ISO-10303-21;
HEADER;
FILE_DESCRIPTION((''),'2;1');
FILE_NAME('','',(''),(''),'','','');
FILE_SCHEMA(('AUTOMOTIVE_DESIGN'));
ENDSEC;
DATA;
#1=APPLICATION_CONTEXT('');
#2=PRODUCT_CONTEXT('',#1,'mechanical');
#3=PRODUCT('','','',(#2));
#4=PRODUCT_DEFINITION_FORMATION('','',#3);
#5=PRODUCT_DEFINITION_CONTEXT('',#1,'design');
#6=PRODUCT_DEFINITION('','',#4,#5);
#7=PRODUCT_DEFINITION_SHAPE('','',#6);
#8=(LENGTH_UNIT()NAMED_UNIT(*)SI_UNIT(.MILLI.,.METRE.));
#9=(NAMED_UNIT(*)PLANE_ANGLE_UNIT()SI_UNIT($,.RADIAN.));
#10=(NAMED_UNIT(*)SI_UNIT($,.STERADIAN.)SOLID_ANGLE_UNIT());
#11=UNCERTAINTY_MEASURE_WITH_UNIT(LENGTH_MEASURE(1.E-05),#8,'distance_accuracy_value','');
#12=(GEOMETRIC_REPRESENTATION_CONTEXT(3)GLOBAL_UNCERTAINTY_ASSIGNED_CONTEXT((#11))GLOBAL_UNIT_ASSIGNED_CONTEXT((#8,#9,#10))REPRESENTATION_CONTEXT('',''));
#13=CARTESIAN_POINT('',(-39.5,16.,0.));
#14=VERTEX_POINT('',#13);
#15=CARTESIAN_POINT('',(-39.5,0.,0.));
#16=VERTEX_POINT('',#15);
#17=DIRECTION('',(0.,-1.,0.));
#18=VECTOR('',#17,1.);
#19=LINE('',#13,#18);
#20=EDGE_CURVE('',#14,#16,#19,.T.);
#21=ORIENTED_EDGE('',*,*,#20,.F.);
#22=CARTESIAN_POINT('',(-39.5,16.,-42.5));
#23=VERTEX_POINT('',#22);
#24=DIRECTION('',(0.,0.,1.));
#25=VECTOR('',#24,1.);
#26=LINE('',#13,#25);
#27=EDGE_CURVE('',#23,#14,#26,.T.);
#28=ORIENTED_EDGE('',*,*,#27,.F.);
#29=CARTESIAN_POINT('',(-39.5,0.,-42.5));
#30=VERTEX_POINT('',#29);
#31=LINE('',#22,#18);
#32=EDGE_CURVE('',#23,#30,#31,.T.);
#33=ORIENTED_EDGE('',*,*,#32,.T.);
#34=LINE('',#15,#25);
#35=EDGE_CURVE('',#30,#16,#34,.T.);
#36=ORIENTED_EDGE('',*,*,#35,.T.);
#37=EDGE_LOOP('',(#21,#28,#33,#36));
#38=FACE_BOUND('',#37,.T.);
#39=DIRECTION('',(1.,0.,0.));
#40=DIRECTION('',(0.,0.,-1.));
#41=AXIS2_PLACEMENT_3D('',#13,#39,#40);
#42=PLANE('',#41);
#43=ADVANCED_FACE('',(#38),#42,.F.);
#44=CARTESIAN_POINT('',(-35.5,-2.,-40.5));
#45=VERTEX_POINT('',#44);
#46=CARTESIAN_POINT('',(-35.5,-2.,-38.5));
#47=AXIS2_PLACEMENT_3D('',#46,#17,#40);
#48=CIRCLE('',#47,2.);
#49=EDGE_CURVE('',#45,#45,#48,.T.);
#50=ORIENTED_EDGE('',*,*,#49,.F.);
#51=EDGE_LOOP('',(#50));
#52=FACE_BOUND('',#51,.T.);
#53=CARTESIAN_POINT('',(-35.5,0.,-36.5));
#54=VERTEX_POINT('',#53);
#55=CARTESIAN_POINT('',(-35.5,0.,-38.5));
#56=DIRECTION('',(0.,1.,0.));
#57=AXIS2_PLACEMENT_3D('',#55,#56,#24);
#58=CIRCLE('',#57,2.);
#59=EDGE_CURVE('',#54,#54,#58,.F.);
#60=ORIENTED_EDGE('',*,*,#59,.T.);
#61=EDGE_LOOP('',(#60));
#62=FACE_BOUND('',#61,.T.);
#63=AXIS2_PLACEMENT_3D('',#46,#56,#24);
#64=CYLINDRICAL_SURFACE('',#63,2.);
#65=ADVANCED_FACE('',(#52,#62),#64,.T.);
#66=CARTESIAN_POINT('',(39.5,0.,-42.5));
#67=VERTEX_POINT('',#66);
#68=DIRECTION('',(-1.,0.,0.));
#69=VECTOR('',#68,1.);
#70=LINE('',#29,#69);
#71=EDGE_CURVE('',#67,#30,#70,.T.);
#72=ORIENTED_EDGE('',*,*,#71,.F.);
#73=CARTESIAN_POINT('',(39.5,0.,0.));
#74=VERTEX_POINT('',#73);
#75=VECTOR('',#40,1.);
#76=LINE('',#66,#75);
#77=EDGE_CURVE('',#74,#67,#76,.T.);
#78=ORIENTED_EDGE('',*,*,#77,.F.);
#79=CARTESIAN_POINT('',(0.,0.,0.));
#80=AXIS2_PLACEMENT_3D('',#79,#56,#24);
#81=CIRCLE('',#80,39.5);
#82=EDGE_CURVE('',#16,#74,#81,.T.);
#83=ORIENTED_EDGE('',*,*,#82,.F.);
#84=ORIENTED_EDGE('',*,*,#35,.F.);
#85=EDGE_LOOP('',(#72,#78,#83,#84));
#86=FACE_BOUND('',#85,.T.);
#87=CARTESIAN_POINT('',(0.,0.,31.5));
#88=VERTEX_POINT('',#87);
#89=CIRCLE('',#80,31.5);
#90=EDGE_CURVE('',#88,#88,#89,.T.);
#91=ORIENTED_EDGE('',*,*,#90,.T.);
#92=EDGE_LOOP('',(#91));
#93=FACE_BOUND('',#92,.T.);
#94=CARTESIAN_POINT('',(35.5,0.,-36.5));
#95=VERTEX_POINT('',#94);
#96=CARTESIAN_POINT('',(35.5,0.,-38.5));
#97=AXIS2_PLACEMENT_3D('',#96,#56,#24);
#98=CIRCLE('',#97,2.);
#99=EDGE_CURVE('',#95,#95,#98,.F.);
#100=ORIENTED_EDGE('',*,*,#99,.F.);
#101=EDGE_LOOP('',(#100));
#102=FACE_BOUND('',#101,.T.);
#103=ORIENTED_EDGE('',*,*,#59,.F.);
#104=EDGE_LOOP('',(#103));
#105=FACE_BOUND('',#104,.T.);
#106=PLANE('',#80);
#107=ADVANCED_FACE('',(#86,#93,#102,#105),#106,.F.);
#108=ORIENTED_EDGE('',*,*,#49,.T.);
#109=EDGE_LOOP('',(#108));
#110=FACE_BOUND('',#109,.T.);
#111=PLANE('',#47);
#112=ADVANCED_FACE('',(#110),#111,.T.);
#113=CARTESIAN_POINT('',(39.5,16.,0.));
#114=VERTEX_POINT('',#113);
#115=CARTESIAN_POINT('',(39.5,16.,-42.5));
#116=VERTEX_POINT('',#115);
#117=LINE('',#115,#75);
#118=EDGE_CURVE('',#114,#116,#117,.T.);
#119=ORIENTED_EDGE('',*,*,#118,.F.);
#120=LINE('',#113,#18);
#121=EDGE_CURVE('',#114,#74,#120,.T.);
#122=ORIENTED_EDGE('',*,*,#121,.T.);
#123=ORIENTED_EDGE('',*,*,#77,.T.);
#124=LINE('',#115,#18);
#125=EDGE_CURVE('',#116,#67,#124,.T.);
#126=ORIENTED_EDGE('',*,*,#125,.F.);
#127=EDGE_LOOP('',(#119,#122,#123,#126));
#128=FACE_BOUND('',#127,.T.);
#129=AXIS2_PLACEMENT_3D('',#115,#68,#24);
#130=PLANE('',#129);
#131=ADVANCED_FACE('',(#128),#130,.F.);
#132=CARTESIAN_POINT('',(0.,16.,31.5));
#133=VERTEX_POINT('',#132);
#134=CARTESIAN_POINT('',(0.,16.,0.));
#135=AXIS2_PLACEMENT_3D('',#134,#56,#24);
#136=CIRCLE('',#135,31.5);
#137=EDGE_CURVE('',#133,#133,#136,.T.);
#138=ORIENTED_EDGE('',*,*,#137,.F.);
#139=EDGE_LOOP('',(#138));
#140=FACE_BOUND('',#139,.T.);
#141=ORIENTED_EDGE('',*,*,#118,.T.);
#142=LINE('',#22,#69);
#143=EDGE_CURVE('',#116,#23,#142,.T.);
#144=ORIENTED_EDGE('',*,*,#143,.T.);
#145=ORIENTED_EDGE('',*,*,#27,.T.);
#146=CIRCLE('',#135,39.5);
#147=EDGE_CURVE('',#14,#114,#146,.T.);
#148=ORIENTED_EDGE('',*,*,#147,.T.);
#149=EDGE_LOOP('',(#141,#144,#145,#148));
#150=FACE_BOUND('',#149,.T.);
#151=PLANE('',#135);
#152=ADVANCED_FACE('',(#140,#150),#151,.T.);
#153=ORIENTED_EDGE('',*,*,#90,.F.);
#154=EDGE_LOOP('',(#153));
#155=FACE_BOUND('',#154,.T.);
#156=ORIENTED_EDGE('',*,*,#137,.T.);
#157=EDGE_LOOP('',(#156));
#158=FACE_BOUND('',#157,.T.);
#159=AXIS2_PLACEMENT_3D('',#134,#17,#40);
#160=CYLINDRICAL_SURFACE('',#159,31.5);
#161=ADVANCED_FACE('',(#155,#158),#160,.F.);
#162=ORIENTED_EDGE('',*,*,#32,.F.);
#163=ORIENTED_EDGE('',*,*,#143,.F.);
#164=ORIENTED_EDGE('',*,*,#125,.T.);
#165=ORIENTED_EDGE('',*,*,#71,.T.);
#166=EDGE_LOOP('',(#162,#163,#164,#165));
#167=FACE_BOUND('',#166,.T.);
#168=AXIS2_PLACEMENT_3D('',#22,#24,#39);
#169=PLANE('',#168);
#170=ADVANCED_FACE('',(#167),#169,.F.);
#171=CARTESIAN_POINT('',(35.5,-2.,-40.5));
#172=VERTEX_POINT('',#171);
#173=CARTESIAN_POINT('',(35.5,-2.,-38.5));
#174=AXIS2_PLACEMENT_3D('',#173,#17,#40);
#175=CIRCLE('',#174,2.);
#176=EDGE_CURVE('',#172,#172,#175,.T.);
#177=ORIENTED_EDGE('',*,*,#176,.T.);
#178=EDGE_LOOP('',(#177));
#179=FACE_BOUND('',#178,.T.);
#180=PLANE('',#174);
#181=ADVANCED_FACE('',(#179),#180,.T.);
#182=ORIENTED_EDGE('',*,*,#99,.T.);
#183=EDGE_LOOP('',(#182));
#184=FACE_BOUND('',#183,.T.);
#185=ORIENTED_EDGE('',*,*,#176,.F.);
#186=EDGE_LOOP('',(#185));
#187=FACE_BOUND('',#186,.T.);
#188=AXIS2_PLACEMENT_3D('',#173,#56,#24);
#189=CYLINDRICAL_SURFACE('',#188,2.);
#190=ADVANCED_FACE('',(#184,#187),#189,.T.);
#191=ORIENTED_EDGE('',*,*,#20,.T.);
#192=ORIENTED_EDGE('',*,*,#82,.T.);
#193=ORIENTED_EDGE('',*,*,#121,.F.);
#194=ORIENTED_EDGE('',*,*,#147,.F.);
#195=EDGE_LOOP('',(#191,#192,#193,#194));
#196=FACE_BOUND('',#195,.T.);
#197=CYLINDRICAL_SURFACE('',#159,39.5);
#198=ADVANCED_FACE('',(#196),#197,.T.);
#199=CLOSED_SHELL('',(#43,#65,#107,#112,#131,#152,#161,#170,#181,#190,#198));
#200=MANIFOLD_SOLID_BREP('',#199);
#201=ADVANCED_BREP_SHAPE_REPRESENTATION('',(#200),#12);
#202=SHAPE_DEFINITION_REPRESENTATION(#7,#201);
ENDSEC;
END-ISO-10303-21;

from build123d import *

# Parameters (mm, degrees)
SKETCH18_R           = 31.5
BOSS_EXTRUDE13_DEPTH = 16
SKETCH19_R           = 2
BOSS_EXTRUDE14_DEPTH = 2


with BuildPart() as part:
    # Sketch18 → Boss-Extrude13 (new body)
    with BuildSketch(Plane(origin=(0, 0, 0), x_dir=(1, 0, 0), z_dir=(0, 1, 0))):
        with BuildLine():
            Line((-39.5, 0), (-39.5, 42.5))
            Line((-39.5, 42.5), (39.5, 42.5))
            Line((39.5, 42.5), (39.5, 0))
            ThreePointArc((39.5, 0), (0, -39.5), (-39.5, 0))
        make_face()
        Circle(SKETCH18_R, mode=Mode.SUBTRACT)
    extrude(amount=BOSS_EXTRUDE13_DEPTH)

    # Sketch19 → Boss-Extrude14 (add)
    with BuildSketch(Plane.XZ):
        with Locations((-35.5, -38.5)):
            Circle(SKETCH19_R)
        with Locations((35.5, -38.5)):
            Circle(SKETCH19_R)
    extrude(amount=BOSS_EXTRUDE14_DEPTH)


solid = part.part
